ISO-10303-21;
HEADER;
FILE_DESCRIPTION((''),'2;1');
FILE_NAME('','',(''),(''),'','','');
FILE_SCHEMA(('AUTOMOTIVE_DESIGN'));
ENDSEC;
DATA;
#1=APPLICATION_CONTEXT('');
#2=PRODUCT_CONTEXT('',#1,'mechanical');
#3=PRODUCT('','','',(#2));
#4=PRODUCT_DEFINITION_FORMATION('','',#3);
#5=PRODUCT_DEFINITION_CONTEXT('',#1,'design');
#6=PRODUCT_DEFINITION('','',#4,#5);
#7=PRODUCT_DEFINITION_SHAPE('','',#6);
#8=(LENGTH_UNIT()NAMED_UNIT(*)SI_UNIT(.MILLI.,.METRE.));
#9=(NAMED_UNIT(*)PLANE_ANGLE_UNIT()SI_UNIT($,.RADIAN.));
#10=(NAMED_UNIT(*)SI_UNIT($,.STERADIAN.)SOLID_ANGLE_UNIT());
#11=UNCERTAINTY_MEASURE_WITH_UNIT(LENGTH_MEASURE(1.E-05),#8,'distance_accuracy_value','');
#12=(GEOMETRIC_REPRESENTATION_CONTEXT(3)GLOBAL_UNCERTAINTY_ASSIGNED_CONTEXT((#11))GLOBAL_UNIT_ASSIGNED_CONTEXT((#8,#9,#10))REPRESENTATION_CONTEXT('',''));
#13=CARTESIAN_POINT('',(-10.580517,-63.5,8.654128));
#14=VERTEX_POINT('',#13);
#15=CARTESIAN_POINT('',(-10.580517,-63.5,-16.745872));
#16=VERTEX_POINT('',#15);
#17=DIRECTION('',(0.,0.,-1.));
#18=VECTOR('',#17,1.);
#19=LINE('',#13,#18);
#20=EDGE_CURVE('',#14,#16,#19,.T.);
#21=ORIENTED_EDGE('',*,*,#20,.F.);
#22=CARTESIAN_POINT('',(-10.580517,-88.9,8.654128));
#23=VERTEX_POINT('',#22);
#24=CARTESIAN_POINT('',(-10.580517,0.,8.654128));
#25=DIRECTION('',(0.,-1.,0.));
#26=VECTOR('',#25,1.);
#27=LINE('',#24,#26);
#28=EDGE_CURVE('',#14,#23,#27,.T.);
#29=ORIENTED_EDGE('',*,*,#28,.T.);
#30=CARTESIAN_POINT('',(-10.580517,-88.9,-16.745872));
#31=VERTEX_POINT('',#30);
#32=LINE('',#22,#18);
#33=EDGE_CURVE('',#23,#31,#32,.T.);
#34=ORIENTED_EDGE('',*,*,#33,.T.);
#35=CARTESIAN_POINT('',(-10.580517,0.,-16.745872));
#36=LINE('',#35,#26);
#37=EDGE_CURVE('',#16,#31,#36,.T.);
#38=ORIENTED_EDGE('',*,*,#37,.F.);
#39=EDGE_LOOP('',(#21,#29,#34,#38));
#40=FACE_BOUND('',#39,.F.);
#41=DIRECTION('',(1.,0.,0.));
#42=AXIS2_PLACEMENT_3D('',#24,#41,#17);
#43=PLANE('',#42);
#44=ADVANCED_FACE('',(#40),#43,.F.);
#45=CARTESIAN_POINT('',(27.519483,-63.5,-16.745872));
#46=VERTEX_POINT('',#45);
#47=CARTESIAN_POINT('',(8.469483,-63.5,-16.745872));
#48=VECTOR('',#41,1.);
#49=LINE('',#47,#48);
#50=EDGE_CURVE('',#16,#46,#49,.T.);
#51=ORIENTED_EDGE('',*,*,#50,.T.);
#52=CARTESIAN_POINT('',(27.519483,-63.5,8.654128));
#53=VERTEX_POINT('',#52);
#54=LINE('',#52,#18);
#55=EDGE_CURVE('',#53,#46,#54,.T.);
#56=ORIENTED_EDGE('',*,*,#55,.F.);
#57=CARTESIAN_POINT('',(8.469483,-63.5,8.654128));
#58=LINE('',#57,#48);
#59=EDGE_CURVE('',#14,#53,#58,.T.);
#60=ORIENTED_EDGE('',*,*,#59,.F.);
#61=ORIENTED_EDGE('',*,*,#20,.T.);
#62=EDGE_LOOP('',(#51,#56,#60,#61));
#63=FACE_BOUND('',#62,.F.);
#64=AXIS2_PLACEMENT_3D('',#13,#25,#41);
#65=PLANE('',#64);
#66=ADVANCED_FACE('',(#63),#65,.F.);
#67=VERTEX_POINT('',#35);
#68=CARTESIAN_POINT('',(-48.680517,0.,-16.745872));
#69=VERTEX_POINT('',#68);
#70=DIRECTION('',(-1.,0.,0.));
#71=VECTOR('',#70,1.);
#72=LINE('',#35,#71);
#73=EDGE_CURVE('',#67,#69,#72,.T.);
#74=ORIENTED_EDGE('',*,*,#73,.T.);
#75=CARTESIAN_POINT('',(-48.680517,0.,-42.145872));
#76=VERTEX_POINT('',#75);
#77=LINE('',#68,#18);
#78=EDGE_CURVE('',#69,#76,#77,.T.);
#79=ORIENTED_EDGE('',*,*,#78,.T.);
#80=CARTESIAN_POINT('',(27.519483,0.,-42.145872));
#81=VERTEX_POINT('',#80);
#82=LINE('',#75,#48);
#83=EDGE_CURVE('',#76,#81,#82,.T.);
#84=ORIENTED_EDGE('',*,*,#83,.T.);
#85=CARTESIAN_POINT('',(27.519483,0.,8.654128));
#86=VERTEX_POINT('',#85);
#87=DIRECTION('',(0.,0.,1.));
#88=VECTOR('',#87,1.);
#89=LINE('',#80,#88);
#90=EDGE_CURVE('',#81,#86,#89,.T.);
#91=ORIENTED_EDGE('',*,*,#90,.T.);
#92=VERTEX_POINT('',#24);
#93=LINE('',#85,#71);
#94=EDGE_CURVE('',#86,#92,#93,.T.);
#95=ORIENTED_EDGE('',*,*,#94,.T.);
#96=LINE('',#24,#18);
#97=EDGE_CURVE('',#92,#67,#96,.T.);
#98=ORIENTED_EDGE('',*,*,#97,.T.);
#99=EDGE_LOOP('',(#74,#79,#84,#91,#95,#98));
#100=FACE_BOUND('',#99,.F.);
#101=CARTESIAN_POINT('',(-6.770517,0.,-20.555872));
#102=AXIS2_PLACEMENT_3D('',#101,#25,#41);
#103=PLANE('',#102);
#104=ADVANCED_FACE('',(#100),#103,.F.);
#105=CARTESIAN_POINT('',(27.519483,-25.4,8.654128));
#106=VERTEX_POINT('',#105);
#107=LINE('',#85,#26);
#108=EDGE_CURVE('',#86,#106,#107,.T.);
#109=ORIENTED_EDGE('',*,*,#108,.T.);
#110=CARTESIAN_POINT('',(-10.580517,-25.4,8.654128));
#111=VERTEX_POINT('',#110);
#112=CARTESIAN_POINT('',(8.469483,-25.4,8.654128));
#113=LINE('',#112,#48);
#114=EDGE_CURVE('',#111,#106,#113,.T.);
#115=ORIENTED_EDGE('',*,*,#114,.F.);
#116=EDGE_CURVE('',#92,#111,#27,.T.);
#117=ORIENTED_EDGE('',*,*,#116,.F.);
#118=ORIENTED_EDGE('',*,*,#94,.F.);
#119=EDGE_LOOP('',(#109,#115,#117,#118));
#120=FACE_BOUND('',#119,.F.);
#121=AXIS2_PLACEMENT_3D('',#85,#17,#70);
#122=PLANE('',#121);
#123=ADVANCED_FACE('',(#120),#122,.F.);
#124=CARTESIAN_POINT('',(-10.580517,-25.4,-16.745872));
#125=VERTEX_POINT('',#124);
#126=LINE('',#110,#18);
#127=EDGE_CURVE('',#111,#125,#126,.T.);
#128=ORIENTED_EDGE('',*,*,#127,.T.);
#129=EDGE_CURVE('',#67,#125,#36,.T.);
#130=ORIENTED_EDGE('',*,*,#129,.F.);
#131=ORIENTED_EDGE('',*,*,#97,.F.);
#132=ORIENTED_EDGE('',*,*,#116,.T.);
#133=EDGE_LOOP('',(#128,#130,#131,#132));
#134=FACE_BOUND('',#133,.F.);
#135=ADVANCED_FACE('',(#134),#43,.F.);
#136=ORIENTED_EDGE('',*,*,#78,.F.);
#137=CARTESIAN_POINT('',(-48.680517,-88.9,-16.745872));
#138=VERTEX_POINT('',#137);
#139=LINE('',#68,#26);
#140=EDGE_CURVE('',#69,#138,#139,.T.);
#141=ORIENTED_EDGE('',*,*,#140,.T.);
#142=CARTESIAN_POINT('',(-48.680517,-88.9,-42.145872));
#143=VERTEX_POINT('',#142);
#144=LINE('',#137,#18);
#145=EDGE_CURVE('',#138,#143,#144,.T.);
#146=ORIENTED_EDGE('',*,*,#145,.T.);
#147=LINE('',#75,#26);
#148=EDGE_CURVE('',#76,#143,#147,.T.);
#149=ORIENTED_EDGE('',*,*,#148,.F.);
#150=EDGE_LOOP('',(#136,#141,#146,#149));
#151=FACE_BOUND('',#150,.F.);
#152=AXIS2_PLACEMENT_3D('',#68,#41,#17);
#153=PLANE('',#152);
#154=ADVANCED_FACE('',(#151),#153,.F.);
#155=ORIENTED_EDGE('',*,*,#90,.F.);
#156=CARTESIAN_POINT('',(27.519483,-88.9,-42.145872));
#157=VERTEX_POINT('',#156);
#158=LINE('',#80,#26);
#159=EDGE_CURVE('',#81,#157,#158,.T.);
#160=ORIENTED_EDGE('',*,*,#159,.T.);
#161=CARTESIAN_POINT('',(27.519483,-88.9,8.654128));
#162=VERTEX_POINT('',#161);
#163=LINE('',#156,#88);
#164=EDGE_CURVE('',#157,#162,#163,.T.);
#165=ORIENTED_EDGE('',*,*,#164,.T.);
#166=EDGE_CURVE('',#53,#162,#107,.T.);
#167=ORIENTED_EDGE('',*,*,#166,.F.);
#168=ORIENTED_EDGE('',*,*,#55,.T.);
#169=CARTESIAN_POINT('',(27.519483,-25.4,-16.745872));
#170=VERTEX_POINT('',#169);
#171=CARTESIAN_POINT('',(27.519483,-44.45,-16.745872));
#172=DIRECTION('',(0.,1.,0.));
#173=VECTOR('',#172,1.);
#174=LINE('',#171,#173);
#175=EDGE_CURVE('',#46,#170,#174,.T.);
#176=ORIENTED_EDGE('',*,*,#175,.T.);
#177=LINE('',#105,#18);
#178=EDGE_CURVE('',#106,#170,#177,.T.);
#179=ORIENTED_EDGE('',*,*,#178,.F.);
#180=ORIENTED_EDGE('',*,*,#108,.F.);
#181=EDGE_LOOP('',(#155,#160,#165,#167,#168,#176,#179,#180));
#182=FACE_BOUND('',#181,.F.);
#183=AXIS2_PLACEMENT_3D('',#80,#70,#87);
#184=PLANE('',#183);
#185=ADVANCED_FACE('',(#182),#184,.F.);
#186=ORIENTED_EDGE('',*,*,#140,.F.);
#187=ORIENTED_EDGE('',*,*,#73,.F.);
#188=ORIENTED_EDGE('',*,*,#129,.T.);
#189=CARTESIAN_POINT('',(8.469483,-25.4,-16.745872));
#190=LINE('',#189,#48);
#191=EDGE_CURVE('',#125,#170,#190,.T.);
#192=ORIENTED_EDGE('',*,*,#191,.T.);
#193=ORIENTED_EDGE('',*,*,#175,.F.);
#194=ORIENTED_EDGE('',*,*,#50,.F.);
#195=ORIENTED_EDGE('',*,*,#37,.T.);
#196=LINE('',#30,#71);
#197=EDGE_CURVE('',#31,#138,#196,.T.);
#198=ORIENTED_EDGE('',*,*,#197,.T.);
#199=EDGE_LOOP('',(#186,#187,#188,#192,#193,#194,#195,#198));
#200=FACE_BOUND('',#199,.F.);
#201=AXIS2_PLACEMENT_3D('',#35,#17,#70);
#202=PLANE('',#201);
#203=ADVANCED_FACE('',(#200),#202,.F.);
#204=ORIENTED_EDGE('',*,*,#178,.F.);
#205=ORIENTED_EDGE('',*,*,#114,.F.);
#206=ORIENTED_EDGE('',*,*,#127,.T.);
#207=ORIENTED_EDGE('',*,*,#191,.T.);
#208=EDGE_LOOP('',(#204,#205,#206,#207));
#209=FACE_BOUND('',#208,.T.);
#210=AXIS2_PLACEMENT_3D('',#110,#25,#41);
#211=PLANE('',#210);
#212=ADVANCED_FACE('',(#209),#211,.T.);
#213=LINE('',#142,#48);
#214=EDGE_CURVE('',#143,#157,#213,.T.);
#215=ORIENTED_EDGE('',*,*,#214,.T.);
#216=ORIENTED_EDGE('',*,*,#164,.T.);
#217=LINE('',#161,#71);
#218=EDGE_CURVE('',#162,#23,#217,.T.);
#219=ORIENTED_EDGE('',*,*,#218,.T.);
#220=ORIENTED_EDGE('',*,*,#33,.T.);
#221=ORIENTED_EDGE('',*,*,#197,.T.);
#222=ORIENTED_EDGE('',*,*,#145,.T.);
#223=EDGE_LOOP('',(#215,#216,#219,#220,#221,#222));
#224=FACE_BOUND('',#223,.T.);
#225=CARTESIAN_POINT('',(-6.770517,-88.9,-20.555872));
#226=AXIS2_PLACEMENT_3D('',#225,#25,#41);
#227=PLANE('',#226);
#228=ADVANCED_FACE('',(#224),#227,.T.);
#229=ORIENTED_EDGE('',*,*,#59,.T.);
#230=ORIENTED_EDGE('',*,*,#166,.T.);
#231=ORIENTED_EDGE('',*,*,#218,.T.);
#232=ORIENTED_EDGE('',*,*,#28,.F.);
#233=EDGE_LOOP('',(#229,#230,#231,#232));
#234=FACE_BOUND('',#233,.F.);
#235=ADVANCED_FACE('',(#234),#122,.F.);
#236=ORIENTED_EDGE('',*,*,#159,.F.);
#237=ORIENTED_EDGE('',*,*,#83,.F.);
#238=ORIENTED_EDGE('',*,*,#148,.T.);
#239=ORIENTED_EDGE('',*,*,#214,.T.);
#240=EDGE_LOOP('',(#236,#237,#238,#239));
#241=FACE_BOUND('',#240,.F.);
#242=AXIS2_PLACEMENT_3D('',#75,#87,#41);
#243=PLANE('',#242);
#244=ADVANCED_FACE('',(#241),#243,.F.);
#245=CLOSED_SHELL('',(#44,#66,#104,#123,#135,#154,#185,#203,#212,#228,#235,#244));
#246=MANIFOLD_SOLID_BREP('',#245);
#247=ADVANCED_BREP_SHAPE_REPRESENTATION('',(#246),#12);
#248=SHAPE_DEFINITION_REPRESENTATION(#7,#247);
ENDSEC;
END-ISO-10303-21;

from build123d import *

# Parameters (mm, degrees)
F1_DEPTH = 88.9
F2_W     = 38.1
F2_H     = 38.1
F3_DEPTH = 25.4


with BuildPart() as f1:
    # F0 (on Front) → F1 (new body)
    with BuildSketch(Plane.XZ):
        Polygon((-48.680517, -16.745872), (-48.680517, -42.145872), (27.519483, -42.145872), (27.519483, 8.654128), (-10.580517, 8.654128), (-10.580517, -16.745872), align=None)
    extrude(amount=F1_DEPTH)

    # F2 (on face) → F3 (cut)
    with BuildSketch(Plane.XY.offset(8.654128)):
        with Locations((8.469483, -44.45)):
            Rectangle(F2_W, F2_H)
    extrude(amount=-F3_DEPTH, mode=Mode.SUBTRACT)


solid = f1.part
